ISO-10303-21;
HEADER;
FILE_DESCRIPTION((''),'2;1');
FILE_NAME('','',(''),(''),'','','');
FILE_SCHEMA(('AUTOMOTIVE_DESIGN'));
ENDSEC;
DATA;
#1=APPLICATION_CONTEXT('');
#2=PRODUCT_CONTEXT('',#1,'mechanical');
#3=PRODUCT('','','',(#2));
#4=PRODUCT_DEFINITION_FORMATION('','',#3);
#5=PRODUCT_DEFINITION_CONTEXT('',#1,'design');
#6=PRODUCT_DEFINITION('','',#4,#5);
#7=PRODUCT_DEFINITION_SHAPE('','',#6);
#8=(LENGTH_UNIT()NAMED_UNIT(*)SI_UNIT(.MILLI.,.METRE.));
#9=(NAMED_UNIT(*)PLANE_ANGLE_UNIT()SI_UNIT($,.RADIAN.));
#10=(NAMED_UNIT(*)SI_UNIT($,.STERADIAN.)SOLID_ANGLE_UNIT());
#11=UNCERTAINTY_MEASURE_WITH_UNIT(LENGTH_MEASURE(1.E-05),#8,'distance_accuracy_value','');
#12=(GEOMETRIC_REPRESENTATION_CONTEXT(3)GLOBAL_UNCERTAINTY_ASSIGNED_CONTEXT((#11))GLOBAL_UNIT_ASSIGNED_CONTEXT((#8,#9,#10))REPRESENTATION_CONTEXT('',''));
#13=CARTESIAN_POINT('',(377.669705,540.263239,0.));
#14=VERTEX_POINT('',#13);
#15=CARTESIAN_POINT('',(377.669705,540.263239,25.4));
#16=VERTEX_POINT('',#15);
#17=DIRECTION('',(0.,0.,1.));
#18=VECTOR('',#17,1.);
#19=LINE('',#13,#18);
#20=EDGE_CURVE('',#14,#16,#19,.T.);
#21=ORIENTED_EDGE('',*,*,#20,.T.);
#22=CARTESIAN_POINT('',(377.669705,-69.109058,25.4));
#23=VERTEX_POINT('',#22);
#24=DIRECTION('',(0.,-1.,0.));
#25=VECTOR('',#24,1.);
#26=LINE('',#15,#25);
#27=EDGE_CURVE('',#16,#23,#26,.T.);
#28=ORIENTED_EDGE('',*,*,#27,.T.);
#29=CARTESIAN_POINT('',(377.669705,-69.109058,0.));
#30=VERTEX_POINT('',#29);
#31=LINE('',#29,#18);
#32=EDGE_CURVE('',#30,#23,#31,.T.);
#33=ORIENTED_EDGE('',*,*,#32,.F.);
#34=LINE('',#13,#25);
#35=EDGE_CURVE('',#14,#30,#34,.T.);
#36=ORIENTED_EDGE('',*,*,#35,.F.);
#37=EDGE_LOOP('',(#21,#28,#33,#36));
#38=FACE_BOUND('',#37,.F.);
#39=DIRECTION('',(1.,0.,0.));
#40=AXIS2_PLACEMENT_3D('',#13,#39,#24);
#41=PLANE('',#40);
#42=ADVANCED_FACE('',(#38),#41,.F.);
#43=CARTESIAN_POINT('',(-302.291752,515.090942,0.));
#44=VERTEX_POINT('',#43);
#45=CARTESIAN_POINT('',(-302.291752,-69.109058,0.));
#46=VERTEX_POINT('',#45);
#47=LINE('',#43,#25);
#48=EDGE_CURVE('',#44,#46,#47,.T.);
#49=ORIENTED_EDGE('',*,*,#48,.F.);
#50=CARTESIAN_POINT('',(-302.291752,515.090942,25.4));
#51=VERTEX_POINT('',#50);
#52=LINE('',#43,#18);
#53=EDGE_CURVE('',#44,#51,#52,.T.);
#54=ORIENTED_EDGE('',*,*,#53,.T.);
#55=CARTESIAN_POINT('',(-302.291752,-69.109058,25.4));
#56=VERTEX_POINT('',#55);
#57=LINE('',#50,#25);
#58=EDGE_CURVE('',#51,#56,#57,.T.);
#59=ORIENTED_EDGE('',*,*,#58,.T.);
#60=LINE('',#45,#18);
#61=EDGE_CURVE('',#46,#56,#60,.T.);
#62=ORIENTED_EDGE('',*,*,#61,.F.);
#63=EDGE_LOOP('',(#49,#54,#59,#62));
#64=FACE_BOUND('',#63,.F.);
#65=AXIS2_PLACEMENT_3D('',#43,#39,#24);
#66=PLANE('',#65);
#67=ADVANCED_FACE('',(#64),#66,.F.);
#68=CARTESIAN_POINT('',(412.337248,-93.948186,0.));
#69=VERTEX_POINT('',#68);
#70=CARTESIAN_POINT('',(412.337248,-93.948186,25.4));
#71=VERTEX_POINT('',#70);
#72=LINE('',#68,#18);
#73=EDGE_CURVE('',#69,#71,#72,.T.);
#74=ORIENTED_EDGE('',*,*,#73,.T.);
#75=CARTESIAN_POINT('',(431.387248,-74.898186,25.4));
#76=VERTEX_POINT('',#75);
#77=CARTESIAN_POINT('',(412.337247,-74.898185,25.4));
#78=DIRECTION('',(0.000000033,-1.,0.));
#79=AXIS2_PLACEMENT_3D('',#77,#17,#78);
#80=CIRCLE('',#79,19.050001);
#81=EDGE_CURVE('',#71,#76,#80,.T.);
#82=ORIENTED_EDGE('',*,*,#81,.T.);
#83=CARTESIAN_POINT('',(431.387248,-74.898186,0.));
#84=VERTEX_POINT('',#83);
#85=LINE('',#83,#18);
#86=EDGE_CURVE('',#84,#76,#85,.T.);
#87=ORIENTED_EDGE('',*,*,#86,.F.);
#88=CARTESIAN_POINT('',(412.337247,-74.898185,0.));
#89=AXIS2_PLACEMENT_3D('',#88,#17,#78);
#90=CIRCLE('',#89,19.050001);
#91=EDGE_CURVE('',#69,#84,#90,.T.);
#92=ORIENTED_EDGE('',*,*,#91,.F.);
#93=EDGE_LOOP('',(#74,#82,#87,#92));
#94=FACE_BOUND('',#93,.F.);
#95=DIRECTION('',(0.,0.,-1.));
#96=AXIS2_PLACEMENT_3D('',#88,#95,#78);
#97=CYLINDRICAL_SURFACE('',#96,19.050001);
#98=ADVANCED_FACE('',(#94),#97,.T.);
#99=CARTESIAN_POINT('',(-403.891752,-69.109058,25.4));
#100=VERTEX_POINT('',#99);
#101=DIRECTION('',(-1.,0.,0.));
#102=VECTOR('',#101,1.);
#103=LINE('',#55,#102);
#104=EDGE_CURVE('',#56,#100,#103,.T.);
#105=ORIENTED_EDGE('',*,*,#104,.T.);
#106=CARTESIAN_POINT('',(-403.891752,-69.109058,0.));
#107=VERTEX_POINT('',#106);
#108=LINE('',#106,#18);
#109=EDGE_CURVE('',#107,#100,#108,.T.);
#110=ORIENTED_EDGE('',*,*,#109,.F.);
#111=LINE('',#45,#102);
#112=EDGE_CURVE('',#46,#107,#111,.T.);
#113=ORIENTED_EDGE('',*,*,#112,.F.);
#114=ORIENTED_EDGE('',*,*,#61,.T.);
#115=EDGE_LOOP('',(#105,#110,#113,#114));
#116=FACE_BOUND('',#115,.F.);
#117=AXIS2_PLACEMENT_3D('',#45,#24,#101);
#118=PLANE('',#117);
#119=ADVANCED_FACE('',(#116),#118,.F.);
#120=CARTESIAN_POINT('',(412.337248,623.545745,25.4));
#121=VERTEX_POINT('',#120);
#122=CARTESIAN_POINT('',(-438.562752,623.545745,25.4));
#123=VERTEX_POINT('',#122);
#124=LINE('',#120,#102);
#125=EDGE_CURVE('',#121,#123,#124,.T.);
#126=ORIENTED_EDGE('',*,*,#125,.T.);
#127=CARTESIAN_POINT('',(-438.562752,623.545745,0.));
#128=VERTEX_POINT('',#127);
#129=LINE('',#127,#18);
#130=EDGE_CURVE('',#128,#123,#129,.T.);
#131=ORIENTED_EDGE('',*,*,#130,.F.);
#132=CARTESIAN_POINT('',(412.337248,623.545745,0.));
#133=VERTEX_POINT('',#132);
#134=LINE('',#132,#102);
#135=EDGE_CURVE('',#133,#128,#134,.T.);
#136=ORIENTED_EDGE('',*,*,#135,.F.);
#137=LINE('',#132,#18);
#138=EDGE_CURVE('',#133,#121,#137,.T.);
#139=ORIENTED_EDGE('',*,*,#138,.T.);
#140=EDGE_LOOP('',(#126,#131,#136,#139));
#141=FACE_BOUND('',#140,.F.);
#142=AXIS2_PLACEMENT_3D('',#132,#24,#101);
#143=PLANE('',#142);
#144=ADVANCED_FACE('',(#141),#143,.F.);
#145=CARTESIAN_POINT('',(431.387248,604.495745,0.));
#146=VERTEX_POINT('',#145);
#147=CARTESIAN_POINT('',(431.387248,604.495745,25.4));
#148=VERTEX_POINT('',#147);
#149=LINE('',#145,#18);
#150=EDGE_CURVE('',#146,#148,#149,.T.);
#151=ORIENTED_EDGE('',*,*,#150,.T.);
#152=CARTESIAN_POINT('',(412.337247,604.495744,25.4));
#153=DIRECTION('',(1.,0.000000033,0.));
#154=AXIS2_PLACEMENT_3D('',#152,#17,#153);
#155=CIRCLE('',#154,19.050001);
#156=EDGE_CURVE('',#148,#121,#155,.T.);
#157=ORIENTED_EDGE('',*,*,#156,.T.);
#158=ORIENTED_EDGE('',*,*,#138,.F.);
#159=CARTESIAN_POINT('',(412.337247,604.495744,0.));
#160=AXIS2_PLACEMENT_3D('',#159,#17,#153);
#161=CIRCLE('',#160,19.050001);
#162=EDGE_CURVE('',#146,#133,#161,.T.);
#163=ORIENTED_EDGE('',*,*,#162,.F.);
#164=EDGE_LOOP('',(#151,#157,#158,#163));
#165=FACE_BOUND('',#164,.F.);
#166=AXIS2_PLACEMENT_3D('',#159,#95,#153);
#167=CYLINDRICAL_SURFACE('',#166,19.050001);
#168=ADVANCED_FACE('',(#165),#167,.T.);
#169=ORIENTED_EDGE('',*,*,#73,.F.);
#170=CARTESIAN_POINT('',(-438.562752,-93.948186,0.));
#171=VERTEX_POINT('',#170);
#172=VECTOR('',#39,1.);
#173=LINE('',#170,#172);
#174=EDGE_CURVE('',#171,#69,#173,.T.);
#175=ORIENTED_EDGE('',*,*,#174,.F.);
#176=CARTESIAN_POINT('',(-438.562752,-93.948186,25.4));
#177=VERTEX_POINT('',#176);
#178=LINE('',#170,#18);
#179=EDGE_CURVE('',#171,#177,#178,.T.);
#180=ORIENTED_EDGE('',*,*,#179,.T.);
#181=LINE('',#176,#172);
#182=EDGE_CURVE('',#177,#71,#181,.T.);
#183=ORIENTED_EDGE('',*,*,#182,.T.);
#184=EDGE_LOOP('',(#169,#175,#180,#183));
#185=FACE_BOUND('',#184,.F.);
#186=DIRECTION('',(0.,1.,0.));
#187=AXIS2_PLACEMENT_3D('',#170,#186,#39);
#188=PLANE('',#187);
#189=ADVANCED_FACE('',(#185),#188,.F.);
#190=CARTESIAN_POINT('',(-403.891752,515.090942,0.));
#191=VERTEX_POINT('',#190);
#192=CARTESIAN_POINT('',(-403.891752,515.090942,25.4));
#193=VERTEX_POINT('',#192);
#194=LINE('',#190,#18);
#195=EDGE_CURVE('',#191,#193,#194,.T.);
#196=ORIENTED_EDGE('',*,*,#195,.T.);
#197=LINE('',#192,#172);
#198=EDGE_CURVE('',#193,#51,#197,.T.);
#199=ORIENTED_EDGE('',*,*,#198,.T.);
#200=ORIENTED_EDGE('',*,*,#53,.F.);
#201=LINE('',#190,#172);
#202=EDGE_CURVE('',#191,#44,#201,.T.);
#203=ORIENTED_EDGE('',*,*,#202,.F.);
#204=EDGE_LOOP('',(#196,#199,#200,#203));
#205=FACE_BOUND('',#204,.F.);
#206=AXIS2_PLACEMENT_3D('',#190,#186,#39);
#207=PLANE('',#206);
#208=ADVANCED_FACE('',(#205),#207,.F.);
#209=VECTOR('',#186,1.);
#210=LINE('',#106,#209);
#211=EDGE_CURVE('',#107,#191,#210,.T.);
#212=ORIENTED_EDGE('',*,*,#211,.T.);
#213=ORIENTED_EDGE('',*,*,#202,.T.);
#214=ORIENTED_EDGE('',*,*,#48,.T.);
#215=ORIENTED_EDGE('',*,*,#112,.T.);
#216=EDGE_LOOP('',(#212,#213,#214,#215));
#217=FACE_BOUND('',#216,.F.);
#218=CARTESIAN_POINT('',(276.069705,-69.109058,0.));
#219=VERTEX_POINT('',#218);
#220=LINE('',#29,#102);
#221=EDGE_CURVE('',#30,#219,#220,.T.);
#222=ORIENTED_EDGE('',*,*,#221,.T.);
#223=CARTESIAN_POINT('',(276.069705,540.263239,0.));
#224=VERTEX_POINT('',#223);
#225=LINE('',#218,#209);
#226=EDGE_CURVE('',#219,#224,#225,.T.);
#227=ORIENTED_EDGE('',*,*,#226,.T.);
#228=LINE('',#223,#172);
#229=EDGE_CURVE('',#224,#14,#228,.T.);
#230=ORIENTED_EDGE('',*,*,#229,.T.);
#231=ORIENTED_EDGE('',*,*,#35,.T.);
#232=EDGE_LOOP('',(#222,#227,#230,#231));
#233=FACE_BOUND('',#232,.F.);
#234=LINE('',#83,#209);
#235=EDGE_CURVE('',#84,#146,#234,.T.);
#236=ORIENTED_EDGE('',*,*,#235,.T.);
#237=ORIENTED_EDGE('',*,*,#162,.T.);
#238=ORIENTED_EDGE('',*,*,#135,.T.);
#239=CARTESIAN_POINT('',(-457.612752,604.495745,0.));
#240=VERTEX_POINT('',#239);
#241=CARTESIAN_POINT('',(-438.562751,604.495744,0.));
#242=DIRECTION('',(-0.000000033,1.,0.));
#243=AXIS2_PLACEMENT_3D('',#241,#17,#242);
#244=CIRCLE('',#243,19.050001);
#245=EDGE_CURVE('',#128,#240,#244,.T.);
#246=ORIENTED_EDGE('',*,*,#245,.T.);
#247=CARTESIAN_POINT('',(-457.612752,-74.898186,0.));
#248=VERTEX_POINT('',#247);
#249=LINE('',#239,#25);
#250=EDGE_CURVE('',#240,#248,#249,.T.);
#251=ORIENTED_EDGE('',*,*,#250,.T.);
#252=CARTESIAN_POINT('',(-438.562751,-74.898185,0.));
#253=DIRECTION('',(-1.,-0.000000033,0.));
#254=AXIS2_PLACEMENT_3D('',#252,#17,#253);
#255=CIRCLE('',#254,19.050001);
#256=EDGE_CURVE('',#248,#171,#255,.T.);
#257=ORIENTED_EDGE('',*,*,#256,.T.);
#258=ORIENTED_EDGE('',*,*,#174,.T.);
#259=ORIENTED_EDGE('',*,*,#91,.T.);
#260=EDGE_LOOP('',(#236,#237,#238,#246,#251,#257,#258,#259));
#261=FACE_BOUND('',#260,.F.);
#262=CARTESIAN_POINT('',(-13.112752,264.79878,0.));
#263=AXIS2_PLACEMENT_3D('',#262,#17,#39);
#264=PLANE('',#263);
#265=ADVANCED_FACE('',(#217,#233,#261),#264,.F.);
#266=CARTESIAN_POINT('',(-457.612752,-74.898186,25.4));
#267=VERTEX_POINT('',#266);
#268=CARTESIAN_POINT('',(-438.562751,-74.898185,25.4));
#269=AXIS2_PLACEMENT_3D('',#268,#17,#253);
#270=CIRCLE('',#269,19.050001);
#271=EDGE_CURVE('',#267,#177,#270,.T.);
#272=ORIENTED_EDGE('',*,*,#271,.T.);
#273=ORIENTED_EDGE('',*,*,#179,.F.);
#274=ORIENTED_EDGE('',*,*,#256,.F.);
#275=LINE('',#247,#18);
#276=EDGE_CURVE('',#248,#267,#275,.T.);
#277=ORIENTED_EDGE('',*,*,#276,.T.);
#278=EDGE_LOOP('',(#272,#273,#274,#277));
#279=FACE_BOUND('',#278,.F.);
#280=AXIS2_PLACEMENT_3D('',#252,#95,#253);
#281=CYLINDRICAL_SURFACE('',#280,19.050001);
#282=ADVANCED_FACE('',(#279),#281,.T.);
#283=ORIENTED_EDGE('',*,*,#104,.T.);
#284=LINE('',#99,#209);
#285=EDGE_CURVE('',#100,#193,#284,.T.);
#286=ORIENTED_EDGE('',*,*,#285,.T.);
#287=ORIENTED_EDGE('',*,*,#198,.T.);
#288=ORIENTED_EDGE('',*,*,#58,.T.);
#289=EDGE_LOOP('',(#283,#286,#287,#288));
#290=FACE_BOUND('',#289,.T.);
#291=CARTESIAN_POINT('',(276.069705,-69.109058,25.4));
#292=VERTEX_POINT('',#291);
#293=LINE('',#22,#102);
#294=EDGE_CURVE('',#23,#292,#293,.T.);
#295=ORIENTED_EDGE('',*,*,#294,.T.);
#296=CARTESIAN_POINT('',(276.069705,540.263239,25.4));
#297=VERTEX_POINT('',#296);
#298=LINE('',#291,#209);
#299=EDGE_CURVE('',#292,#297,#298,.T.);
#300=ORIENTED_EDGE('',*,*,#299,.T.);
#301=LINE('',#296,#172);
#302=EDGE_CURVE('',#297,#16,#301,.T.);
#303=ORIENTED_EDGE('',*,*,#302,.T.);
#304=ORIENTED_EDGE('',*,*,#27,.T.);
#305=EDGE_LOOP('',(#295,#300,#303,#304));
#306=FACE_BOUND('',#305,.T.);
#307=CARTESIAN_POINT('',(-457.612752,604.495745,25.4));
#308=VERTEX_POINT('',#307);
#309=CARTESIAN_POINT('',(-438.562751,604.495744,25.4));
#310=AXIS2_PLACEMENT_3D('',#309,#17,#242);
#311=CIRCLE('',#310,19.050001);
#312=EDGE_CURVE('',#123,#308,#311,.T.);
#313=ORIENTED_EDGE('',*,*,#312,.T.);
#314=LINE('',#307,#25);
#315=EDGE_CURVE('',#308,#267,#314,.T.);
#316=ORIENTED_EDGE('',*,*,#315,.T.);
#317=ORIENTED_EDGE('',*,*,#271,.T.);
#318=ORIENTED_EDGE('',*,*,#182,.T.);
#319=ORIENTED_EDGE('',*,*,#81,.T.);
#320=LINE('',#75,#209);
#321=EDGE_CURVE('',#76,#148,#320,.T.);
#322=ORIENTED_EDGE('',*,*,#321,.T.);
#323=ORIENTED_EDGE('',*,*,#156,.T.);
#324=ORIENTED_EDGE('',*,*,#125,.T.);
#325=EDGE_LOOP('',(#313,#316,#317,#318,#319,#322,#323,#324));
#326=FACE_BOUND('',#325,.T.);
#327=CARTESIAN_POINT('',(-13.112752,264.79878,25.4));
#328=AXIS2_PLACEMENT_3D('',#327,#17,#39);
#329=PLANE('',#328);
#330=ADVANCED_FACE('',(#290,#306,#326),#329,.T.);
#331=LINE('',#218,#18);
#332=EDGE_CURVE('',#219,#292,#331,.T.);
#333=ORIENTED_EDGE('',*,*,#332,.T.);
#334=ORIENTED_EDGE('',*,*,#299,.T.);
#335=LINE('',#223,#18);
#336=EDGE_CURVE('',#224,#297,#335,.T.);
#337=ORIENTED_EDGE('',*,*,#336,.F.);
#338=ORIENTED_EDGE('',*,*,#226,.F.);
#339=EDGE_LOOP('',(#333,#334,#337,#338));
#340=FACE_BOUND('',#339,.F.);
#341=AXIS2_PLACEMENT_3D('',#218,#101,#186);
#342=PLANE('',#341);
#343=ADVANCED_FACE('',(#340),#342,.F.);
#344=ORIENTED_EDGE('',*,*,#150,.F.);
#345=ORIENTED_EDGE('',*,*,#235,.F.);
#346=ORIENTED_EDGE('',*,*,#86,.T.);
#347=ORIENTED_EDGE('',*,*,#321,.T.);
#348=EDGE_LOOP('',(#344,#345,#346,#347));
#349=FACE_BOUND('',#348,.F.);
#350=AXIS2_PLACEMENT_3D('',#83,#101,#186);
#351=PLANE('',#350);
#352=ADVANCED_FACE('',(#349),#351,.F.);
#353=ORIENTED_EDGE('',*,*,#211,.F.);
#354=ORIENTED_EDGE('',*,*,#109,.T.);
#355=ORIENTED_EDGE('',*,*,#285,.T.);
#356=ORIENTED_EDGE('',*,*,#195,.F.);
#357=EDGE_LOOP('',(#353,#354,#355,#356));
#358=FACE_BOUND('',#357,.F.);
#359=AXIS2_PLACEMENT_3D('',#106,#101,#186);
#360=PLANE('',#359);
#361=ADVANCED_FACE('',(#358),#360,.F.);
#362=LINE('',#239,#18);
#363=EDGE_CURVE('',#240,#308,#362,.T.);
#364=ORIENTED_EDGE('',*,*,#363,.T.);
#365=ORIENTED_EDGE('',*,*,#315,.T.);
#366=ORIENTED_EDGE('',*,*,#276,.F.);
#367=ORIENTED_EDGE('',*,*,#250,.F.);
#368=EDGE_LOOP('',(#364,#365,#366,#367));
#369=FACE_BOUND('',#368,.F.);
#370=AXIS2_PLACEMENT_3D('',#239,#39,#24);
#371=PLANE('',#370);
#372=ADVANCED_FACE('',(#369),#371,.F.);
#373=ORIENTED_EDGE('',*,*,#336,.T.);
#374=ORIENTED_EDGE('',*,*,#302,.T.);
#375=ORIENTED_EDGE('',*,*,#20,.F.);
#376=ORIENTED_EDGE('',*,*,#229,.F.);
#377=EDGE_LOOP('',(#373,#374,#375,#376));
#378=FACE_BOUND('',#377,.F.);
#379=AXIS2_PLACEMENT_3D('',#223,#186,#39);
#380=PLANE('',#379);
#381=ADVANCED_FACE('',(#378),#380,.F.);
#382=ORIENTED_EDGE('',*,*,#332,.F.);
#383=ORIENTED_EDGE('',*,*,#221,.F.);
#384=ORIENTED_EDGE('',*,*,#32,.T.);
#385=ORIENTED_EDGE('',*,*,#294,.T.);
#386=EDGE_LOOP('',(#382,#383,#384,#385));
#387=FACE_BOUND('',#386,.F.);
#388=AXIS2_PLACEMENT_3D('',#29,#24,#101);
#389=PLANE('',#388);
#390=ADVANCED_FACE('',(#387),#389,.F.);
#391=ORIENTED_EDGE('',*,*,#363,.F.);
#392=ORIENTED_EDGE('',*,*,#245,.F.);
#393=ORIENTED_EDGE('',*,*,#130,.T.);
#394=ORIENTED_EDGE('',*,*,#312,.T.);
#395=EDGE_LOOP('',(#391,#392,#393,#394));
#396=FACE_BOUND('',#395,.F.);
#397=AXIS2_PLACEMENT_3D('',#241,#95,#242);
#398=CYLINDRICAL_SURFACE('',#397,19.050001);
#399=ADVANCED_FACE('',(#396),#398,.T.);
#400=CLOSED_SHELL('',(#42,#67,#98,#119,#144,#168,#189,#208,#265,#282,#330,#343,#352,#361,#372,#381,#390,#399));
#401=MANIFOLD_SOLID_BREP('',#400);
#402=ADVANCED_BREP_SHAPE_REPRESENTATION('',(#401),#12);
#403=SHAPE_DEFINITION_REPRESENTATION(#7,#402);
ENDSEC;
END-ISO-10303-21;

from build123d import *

# Parameters (mm, degrees)
F1_DEPTH = 25.4


with BuildPart() as f1:
    # F0 (on Top) → F1 (new body)
    with BuildSketch(Plane.XY):
        with BuildLine():
            ThreePointArc((-457.612752, -74.898186), (-452.033136, -88.36857), (-438.562752, -93.948186))
            Line((-438.562752, -93.948186), (412.337248, -93.948186))
            ThreePointArc((412.337248, -93.948186), (425.807632, -88.36857), (431.387248, -74.898186))
            Line((431.387248, -74.898186), (431.387248, 458.501814))
            Line((431.387248, 458.501814), (431.387248, 604.495745))
            ThreePointArc((431.387248, 604.495745), (425.807632, 617.966129), (412.337248, 623.545745))
            Line((412.337248, 623.545745), (-438.562752, 623.545745))
            ThreePointArc((-438.562752, 623.545745), (-452.033136, 617.966129), (-457.612752, 604.495745))
            Line((-457.612752, 604.495745), (-457.612752, 458.501814))
            Line((-457.612752, 458.501814), (-457.612752, -74.898186))
        make_face()
        Polygon((-340.391752, -69.109058), (-403.891752, -69.109058), (-403.891752, 515.090942), (-302.291752, 515.090942), (-302.291752, -69.109058), align=None, mode=Mode.SUBTRACT)
        Polygon((377.669705, -69.109058), (314.169705, -69.109058), (276.069705, -69.109058), (276.069705, 438.663239), (276.069705, 540.263239), (377.669705, 540.263239), (377.669705, 515.090942), (377.669705, 483.52605), align=None, mode=Mode.SUBTRACT)
    extrude(amount=F1_DEPTH)


solid = f1.part
